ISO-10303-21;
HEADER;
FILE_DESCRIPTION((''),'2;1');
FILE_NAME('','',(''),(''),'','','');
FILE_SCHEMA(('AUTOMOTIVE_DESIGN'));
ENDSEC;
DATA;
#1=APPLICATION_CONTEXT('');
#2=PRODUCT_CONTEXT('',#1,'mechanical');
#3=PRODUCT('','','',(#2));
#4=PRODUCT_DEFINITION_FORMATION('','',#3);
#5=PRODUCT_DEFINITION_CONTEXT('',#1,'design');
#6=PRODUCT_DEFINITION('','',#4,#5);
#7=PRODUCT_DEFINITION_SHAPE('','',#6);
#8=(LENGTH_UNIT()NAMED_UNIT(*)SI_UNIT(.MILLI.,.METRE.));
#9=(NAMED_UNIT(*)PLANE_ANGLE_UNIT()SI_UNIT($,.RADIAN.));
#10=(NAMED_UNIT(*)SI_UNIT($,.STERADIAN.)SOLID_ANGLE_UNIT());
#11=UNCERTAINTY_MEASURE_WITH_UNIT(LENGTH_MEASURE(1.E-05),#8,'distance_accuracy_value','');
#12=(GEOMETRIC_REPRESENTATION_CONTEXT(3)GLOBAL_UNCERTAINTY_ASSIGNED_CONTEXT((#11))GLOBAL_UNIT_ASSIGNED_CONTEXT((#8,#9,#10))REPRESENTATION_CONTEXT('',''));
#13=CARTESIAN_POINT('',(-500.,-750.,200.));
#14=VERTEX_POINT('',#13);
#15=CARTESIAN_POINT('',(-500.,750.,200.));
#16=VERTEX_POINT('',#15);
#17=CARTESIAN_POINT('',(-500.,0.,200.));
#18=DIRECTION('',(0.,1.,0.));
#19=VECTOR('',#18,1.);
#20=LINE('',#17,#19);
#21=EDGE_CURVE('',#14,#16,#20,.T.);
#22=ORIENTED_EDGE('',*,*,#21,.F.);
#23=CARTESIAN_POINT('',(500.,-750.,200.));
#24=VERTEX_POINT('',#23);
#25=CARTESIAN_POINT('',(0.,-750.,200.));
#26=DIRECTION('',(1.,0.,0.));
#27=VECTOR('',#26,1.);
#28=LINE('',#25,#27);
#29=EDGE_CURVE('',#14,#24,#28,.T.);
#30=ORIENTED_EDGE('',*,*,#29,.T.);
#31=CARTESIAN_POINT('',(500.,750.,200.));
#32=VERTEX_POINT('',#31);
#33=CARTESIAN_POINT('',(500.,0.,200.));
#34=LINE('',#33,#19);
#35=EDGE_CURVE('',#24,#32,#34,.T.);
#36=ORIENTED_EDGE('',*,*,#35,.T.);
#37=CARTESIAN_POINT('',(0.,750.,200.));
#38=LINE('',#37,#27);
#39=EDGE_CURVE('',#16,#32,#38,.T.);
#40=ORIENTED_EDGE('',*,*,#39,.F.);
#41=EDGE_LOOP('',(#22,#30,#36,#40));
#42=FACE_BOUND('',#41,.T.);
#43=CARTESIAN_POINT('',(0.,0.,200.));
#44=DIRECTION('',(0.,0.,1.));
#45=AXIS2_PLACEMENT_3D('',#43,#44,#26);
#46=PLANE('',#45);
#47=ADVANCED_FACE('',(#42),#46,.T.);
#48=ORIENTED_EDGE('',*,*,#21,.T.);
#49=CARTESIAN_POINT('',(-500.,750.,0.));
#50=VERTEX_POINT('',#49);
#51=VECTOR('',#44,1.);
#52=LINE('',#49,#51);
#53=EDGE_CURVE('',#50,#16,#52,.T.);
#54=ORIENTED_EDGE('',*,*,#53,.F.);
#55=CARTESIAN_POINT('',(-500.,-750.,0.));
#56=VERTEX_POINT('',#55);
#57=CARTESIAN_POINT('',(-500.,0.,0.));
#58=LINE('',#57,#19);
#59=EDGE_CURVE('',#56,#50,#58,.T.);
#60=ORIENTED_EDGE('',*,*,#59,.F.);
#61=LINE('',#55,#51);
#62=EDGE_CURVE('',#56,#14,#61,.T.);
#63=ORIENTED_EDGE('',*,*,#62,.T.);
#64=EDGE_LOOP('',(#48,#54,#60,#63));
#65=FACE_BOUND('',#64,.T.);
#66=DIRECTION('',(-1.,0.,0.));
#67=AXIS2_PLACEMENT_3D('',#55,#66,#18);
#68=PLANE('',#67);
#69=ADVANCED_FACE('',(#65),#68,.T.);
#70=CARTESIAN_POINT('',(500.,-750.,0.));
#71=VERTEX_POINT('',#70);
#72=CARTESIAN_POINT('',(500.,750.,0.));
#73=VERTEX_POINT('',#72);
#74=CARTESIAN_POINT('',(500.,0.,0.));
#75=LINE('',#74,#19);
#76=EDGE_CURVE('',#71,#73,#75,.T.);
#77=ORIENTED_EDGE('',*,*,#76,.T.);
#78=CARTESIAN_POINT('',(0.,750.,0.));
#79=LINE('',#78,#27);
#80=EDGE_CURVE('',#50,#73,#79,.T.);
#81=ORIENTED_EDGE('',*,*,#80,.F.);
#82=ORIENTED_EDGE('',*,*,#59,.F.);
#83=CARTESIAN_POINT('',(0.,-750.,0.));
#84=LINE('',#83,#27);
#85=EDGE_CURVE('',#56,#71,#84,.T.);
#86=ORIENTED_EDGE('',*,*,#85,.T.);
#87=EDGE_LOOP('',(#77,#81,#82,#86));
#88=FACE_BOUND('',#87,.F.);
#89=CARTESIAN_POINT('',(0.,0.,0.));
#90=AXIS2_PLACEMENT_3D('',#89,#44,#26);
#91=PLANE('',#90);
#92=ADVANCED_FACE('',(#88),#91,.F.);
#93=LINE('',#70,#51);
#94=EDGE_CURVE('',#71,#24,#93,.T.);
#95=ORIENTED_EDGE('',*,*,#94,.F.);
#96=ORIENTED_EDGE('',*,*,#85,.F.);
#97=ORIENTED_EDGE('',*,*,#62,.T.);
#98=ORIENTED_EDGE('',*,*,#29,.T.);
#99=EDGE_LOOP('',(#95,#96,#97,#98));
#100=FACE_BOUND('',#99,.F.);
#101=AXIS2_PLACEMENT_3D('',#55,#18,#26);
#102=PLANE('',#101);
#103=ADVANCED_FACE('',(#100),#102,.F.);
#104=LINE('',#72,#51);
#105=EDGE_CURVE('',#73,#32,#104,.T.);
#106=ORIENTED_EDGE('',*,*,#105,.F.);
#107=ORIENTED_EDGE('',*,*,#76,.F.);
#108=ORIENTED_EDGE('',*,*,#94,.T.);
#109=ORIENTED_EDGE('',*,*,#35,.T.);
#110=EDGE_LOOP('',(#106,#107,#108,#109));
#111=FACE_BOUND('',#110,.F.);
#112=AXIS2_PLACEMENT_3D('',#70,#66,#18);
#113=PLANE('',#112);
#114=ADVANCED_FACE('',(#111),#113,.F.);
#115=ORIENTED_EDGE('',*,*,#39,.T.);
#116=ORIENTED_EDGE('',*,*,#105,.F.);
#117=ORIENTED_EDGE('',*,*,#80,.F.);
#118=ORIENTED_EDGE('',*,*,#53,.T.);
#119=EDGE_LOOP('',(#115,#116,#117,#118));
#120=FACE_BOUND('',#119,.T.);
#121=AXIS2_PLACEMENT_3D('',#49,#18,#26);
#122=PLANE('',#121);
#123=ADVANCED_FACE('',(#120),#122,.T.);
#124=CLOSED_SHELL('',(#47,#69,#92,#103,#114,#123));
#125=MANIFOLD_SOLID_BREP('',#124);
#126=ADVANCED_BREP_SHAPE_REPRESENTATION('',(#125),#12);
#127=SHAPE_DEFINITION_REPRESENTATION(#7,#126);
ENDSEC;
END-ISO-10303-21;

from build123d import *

# Parameters (mm, degrees)
SKETCH_W  = 1000
SKETCH_H  = 1500
PAD_DEPTH = 200


with BuildPart() as part:
    # Sketch → Pad (new body)
    with BuildSketch(Plane.XY):
        Rectangle(SKETCH_W, SKETCH_H)
    extrude(amount=PAD_DEPTH)


solid = part.part
